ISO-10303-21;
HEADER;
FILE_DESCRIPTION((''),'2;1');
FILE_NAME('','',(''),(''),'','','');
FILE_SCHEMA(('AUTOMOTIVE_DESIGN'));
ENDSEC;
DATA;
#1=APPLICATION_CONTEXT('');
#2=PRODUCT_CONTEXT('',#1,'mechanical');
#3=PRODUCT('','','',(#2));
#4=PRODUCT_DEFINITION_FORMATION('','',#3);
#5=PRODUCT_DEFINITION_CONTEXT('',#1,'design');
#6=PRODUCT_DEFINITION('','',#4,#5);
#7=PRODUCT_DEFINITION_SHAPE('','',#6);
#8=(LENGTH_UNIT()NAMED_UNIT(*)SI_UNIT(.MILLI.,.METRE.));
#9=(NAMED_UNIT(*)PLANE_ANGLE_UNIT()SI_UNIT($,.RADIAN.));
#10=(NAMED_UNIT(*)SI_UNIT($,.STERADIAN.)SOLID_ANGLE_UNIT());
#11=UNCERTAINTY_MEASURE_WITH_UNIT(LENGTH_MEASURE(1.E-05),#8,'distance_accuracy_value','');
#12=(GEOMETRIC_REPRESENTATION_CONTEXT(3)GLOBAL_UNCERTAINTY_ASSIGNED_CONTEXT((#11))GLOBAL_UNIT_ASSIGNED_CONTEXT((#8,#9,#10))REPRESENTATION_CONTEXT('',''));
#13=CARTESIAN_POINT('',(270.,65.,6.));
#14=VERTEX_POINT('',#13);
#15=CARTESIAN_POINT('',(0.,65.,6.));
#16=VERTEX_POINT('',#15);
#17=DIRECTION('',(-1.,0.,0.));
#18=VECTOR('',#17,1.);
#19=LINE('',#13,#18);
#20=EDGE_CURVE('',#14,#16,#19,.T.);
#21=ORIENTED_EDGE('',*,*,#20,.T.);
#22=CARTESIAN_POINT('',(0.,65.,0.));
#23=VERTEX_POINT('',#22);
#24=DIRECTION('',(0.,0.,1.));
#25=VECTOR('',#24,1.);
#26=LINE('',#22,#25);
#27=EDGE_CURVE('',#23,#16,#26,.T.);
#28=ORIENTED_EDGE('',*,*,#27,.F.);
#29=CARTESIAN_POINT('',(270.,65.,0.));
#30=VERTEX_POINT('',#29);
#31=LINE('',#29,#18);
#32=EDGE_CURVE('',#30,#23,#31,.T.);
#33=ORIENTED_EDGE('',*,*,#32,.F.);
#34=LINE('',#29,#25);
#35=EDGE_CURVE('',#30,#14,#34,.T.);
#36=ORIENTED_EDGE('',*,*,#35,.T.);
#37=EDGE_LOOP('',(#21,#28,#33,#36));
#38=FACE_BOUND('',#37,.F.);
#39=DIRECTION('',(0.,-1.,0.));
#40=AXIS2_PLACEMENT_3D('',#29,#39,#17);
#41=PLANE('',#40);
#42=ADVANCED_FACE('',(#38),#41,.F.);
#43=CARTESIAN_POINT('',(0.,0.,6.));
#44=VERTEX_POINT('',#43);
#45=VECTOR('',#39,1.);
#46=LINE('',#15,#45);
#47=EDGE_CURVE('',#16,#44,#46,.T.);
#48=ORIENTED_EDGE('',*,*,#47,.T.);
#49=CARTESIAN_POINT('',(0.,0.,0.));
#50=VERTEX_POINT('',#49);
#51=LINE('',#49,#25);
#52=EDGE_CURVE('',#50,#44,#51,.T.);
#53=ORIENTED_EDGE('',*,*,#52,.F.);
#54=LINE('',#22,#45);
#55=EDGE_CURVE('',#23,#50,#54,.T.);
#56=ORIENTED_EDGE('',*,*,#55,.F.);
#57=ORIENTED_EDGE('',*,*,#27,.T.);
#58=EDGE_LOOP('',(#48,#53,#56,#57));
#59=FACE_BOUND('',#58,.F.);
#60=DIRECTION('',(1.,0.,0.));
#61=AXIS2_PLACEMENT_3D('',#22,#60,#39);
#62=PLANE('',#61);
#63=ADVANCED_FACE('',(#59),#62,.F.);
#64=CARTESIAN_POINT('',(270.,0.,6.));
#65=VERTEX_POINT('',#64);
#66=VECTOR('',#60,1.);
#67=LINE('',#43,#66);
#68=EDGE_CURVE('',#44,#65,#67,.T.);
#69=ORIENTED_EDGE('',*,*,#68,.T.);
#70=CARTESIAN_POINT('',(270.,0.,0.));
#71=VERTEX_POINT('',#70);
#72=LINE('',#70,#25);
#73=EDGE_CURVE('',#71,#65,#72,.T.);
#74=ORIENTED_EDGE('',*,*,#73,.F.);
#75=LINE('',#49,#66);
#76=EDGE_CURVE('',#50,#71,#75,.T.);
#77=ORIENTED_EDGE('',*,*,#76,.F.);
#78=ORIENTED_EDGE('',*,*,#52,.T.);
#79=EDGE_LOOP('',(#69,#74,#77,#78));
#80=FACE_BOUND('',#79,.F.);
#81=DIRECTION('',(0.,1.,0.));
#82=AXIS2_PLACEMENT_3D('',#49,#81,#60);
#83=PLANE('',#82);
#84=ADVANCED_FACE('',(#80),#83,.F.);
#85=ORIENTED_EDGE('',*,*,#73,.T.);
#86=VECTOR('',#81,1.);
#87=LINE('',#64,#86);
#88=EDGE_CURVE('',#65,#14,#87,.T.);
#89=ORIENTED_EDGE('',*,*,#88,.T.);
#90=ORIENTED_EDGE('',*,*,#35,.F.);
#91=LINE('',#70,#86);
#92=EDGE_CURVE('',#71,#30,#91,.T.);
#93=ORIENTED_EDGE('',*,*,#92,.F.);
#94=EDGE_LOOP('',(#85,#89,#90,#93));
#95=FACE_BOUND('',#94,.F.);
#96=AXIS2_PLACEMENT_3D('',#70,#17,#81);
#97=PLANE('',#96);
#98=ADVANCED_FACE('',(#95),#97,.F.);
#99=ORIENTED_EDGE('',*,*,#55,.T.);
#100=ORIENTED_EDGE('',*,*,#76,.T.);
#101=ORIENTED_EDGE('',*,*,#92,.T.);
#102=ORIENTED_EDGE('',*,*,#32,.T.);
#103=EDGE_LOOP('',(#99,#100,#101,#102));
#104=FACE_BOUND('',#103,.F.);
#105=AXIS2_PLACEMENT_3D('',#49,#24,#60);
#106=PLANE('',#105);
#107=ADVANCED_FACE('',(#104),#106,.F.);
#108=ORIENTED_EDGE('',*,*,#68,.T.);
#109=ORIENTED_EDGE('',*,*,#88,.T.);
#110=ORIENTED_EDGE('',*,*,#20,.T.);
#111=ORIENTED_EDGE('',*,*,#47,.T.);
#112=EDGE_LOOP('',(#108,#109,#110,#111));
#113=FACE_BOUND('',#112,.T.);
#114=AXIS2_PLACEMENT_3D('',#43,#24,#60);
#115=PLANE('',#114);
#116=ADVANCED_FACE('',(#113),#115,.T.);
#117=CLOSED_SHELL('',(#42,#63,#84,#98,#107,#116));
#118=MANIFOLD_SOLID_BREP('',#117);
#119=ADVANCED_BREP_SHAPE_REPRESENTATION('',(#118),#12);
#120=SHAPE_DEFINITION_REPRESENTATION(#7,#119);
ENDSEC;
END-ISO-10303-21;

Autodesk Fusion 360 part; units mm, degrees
sketch "Control Panel Bottom" plane through (0, 0, 0) normal (0, 0, 1) x (1, 0, 0)
  line L0 (0, 0) -> (270, 0)
  line L1 (270, 0) -> (270, 65)
  line L2 (270, 65) -> (0, 65)
  line L3 (0, 65) -> (0, 0)
  dimension "d5" = 65
  dimension "d7" = 270
extrude "Extrude1" add sketch "Control Panel Bottom" along normal blind 6
equation "MDFThickness = 6 mm" comment "Thickness of the MDF board"
equation "d2 = MDFThickness"
equation "d5 = sidePanelControlPanelDepth"
equation "sidePanelControlPanelDepth = 65 mm" comment "Depth of the scontrol panel section of the side panel"
